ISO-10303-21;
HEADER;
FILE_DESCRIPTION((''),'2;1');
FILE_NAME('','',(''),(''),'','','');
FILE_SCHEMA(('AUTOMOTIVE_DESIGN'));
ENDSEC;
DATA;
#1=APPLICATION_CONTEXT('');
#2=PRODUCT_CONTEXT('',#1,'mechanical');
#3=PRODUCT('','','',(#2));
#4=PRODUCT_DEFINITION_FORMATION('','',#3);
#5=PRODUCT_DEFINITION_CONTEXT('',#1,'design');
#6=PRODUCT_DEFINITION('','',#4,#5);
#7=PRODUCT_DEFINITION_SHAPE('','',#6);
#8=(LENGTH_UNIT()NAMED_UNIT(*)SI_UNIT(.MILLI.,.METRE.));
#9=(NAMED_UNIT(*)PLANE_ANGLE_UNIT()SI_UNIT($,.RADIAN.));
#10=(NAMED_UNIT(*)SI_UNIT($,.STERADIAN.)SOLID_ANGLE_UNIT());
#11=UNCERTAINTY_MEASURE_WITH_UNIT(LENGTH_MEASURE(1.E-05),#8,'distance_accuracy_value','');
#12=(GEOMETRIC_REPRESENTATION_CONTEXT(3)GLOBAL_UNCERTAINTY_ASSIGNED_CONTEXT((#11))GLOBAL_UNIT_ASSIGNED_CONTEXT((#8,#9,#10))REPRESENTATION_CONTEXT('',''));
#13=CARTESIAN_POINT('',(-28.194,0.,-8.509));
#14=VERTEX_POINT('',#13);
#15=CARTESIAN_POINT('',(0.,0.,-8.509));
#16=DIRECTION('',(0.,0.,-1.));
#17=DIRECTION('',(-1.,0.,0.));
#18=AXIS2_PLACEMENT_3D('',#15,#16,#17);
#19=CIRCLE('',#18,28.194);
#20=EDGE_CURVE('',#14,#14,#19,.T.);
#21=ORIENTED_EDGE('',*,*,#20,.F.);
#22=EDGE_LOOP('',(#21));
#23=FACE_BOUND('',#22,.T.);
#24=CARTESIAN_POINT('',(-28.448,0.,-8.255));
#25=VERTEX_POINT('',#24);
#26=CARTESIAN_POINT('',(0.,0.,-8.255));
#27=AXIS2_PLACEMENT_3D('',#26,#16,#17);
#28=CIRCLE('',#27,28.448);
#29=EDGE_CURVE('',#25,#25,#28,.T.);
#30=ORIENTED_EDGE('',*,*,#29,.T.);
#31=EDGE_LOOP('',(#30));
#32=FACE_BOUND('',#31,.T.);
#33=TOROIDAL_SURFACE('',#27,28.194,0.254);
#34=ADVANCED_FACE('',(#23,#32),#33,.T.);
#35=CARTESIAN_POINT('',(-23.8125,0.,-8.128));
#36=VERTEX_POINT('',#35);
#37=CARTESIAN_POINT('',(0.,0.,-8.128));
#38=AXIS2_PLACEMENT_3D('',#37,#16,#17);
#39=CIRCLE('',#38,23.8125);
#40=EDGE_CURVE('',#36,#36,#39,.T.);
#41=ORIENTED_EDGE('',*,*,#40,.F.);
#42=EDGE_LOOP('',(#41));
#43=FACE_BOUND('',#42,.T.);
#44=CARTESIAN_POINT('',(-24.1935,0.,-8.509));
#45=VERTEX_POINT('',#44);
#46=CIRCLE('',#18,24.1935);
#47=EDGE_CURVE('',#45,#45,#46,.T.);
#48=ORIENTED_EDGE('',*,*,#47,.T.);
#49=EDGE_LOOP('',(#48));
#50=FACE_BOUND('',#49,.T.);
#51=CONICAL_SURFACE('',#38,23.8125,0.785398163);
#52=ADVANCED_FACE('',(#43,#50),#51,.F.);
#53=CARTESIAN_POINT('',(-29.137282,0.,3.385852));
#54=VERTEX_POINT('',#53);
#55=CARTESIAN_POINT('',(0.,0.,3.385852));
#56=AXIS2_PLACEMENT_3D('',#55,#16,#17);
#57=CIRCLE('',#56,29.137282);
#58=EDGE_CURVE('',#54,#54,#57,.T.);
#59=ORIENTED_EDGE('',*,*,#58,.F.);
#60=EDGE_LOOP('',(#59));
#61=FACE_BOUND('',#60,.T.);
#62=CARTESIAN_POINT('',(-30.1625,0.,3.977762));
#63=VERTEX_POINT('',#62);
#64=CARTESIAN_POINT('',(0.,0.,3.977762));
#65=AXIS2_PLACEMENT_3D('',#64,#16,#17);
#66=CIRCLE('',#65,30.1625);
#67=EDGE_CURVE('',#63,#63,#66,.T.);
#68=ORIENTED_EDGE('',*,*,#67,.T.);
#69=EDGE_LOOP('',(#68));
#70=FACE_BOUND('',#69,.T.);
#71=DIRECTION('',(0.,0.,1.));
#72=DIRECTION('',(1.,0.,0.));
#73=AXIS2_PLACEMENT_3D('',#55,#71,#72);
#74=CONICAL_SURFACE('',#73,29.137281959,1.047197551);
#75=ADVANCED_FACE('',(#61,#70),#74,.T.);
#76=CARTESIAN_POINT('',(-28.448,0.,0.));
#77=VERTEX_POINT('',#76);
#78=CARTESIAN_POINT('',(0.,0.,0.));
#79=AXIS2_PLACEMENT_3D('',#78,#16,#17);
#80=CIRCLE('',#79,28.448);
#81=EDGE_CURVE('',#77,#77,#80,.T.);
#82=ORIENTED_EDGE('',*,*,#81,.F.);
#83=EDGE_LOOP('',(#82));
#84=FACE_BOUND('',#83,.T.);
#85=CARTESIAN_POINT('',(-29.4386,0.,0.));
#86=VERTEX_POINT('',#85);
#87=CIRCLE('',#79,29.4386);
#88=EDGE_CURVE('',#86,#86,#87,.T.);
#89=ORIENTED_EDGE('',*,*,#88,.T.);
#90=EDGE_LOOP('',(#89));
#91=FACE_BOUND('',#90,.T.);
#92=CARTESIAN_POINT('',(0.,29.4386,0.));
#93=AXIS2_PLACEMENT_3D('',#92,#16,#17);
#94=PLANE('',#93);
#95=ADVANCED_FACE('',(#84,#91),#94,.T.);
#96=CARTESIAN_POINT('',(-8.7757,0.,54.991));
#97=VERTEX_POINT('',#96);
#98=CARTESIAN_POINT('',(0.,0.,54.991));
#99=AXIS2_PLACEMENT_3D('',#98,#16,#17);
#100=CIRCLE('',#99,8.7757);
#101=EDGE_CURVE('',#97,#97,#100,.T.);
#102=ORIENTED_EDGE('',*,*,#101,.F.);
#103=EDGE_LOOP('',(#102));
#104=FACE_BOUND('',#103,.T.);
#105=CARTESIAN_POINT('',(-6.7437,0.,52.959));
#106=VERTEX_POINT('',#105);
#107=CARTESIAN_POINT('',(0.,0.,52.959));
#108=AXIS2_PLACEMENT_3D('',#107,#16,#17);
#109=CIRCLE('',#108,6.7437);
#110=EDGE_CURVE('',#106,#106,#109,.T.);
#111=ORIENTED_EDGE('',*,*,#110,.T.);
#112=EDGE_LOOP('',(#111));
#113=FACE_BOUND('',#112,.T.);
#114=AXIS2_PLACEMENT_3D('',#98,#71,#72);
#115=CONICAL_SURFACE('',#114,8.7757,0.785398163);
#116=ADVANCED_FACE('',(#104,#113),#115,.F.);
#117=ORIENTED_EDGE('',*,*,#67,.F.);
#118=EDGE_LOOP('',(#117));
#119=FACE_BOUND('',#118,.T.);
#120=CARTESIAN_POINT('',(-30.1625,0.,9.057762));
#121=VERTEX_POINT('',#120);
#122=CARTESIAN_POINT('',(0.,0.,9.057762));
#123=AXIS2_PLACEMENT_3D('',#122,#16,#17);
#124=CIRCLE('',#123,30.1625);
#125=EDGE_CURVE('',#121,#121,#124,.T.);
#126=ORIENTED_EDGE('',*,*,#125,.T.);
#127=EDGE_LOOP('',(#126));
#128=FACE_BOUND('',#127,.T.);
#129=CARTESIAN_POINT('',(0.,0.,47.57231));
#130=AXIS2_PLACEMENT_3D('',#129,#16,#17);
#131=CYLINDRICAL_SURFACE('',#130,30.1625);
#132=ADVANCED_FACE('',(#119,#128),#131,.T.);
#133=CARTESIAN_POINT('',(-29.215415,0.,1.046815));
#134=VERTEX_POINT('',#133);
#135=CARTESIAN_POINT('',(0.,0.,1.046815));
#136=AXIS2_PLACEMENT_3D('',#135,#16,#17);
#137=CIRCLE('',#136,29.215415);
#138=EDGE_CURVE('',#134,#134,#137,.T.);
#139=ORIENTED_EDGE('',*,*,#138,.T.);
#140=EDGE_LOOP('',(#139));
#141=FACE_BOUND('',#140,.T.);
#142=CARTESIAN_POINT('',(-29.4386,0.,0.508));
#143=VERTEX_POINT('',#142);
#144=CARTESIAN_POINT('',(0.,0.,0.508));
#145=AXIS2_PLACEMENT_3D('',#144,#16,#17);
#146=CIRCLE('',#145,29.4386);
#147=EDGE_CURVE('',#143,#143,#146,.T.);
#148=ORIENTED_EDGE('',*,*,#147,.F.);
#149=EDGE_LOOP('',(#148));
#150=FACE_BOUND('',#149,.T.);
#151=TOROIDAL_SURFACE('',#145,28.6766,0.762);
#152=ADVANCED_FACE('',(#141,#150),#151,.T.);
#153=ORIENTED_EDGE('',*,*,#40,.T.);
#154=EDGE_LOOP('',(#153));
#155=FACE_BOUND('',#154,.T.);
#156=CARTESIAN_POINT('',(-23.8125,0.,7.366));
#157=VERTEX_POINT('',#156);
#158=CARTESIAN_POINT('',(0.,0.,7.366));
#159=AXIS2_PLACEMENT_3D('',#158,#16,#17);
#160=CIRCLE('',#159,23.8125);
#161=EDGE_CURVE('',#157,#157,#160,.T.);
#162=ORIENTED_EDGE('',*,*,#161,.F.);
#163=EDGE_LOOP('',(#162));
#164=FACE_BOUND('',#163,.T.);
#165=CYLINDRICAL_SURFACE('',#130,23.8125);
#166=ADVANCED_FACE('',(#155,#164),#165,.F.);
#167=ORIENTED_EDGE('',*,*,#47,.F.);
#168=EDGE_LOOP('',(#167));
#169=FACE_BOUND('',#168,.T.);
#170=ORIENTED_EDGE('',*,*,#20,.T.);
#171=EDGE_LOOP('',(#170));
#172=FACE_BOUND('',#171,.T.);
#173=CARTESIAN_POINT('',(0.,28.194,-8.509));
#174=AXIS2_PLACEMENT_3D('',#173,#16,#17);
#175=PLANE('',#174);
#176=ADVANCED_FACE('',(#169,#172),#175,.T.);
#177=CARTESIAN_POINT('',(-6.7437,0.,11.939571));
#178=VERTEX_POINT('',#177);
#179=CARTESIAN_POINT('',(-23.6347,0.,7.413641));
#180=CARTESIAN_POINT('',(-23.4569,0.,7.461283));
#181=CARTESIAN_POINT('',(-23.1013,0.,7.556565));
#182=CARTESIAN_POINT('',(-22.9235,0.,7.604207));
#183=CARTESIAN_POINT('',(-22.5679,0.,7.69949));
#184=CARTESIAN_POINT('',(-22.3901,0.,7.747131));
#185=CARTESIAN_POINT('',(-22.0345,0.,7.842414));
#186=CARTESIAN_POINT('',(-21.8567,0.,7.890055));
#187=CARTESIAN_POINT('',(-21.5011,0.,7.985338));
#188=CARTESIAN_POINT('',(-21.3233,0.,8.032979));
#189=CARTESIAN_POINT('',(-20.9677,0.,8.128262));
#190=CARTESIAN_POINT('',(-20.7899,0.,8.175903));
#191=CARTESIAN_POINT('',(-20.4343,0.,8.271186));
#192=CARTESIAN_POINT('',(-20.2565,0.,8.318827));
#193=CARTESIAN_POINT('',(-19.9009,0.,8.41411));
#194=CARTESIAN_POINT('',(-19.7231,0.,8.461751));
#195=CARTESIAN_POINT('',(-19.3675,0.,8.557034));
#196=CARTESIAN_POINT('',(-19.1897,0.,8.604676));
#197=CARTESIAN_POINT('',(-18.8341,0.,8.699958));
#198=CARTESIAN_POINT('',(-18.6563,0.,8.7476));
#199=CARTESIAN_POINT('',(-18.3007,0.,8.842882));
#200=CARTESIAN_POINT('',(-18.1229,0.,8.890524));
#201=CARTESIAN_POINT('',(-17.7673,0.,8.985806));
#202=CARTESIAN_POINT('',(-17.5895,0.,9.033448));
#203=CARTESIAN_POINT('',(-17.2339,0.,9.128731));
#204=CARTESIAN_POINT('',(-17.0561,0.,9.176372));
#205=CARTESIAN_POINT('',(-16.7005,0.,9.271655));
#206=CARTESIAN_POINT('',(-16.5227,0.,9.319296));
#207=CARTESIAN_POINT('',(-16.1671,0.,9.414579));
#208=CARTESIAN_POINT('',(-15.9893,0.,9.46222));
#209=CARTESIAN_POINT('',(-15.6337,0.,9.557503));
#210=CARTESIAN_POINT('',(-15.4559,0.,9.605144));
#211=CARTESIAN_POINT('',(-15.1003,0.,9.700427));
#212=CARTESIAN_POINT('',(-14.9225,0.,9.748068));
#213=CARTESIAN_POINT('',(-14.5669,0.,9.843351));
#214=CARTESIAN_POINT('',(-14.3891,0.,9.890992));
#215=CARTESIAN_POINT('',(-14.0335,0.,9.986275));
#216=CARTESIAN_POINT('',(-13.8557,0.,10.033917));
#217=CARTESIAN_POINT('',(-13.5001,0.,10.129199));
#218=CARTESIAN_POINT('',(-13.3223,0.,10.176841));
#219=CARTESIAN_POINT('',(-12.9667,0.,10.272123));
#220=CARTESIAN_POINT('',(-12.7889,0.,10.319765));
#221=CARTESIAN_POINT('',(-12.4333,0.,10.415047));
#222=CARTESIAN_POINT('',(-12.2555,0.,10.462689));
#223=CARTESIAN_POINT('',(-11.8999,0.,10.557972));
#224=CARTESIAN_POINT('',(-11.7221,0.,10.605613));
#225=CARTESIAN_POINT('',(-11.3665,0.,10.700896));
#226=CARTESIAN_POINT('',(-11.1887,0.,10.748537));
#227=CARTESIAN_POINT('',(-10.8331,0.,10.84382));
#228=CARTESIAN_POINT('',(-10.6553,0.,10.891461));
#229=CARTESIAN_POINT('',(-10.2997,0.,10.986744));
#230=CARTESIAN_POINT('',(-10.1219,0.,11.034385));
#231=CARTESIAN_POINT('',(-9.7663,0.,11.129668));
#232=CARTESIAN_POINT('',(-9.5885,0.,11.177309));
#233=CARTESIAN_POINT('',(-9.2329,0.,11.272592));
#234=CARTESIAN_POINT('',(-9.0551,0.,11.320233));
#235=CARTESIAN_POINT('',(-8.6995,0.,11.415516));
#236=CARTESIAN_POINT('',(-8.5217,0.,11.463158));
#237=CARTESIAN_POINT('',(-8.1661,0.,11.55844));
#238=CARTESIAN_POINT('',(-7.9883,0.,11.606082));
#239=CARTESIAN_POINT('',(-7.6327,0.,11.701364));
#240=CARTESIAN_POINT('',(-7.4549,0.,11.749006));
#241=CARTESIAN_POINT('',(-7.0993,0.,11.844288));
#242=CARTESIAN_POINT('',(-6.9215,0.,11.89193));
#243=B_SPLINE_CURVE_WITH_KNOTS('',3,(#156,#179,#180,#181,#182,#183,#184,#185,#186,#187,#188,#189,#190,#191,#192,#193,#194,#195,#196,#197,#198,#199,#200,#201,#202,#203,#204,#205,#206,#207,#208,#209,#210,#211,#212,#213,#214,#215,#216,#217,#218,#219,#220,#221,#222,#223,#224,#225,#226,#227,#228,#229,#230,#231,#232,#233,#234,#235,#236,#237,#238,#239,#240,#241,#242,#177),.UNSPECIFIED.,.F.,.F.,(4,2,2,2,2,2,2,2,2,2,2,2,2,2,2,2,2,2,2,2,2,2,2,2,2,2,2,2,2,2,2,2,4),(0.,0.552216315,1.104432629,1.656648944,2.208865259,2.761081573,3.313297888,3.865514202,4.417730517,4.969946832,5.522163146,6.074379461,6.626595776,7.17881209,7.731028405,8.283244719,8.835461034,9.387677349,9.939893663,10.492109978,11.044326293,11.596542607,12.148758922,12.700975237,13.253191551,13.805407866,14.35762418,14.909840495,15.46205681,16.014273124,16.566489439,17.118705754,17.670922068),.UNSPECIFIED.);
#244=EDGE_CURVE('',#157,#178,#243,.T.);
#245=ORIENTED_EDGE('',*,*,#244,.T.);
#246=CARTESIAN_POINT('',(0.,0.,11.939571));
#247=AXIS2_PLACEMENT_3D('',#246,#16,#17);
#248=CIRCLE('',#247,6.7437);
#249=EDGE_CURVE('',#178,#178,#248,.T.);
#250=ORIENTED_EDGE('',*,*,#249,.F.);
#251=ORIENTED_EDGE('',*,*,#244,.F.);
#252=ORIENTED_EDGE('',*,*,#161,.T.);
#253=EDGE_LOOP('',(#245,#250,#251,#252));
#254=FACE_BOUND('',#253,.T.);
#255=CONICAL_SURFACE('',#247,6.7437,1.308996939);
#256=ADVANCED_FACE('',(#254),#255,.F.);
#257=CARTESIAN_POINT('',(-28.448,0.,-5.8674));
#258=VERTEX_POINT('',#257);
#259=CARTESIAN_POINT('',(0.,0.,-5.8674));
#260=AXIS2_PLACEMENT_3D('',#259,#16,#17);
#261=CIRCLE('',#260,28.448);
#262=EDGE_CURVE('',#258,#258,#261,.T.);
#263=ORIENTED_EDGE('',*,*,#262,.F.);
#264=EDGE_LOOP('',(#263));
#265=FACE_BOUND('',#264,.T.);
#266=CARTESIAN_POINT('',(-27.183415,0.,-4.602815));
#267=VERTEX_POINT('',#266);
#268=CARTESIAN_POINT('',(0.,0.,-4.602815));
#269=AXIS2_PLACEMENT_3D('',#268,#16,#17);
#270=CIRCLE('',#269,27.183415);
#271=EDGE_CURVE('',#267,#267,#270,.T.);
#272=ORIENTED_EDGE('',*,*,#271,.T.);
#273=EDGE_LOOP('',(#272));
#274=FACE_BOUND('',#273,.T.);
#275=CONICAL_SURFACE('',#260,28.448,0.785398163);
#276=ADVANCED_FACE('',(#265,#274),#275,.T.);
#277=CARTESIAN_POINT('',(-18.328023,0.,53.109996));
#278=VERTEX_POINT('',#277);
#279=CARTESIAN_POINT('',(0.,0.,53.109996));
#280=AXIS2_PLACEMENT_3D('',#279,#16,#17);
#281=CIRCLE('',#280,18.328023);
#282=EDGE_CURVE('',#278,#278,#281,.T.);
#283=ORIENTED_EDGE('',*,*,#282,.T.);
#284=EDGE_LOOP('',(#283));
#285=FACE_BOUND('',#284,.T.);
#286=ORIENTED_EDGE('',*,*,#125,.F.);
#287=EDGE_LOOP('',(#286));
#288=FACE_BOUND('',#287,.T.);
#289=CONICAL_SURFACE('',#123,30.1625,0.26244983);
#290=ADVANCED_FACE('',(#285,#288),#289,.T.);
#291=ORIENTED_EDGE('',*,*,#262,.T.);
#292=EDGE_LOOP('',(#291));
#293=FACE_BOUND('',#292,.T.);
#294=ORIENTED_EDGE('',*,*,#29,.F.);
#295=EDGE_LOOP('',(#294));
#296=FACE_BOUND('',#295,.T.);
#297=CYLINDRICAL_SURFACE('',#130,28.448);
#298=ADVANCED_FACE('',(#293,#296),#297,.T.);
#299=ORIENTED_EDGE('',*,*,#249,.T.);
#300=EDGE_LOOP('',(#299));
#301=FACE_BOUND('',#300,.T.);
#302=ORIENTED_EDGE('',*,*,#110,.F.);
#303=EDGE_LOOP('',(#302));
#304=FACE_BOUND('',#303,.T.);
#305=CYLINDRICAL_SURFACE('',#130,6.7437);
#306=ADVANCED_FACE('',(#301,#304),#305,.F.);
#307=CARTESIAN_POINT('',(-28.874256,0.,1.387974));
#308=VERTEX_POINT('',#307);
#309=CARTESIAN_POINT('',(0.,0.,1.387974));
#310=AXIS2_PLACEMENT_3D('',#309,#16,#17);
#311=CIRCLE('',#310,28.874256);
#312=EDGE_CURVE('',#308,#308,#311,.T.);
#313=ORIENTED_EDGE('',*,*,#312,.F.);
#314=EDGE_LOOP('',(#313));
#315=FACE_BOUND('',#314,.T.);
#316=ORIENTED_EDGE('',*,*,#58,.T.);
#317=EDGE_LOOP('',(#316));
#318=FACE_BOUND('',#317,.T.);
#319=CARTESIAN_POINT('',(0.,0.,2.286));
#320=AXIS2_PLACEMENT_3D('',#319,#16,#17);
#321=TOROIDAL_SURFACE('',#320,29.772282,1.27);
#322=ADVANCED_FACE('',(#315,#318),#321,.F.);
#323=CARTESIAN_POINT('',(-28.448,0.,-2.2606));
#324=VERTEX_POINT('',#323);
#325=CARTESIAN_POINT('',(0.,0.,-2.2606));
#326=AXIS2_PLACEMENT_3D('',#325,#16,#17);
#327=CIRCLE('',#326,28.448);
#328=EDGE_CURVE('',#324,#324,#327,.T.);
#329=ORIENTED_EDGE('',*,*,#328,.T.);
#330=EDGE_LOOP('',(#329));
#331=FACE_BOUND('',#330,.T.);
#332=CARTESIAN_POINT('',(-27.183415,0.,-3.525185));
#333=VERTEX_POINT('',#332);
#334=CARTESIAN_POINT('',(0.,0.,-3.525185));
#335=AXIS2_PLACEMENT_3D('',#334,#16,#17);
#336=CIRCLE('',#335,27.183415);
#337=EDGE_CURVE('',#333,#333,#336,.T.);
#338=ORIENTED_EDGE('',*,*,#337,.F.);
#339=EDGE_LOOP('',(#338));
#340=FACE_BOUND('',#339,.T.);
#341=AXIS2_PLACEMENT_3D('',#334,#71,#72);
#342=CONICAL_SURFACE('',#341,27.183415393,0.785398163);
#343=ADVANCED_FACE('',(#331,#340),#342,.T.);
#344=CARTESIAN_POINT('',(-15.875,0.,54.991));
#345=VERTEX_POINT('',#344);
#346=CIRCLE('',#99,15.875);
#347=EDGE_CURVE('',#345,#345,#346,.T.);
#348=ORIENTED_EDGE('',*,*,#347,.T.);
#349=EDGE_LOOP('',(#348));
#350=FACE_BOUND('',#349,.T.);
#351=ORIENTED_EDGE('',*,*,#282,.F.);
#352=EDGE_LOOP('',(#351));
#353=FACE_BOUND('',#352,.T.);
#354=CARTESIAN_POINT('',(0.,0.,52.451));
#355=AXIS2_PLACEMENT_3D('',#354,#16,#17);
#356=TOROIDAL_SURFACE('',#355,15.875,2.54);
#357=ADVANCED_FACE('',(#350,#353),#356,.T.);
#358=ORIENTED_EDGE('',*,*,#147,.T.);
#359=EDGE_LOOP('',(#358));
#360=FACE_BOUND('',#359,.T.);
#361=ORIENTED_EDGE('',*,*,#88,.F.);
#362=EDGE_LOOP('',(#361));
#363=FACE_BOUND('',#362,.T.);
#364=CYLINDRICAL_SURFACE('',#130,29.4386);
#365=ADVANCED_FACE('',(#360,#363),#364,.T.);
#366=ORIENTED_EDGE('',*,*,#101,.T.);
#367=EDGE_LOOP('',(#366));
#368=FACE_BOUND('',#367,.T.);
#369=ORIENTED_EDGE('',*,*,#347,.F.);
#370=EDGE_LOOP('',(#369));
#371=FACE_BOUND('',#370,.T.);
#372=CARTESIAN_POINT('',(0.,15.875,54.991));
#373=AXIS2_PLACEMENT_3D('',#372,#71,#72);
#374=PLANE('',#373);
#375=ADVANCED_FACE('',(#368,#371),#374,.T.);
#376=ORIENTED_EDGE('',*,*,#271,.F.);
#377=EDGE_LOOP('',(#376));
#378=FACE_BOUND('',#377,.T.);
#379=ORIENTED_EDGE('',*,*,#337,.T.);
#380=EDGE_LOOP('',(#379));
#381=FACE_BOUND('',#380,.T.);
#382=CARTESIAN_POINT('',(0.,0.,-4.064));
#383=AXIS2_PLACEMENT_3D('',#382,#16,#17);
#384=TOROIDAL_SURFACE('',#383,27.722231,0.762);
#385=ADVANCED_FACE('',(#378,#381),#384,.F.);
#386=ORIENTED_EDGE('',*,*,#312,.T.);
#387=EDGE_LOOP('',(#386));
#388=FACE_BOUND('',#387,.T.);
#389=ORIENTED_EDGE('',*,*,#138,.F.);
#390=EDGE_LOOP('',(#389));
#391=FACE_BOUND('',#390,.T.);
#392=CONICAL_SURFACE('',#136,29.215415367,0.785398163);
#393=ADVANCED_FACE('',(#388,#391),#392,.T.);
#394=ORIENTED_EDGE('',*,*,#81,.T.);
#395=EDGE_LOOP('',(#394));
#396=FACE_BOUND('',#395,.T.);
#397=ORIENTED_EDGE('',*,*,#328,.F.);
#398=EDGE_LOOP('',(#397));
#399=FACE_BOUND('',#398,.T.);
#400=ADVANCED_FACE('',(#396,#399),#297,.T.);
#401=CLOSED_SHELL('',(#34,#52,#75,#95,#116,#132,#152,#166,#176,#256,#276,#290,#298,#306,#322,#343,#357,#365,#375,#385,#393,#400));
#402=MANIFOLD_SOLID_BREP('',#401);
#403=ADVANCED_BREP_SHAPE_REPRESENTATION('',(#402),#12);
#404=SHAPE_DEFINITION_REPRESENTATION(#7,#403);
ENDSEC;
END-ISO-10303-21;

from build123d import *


with BuildPart() as part:
    # Sketch3 → FBR-00 Basic blank revolve. (revolve)
    with BuildSketch(Plane(origin=(0, 0, 0), x_dir=(0, 0, -1), z_dir=(1, 0, 0))):
        with BuildLine():
            Line((-53.109996064, 18.328023479), (-9.057762175, 30.1625))
            Line((-9.057762175, 30.1625), (-3.977762175, 30.1625))
            Line((-3.977762175, 30.1625), (-3.385852263, 29.137281959))
            ThreePointArc((-3.385852263, 29.137281959), (-2.451768264, 28.513146985), (-1.387974388, 28.874256347))
            Line((-1.387974388, 28.874256347), (-1.046815367, 29.215415367))
            ThreePointArc((-1.046815367, 29.215415367), (-0.799604775, 29.380596204), (-0.508, 29.4386))
            Line((-0.508, 29.4386), (0, 29.4386))
            Line((0, 29.4386), (0, 28.448))
            Line((0, 28.448), (2.260600025, 28.448))
            Line((2.260600025, 28.448), (3.525184633, 27.183415393))
            ThreePointArc((3.525184633, 27.183415393), (4.064, 26.96023076), (4.602815367, 27.183415393))
            Line((4.602815367, 27.183415393), (5.867399975, 28.448))
            Line((5.867399975, 28.448), (8.255, 28.448))
            ThreePointArc((8.255, 28.448), (8.434605122, 28.373605122), (8.509, 28.194))
            Line((8.509, 28.194), (8.509, 24.1935))
            Line((8.509, 24.1935), (8.128, 23.8125))
            Line((8.128, 23.8125), (-7.366, 23.8125))
            Line((-7.366, 23.8125), (-11.939571176, 6.7437))
            Line((-11.939571176, 6.7437), (-52.959, 6.7437))
            Line((-52.959, 6.7437), (-54.991, 8.7757))
            Line((-54.991, 8.7757), (-54.991, 15.875))
            ThreePointArc((-54.991, 15.875), (-54.466620252, 17.420598589), (-53.109996064, 18.328023479))
        make_face()
    revolve(axis=Axis((0, 0, 47.572309729), (0, 0, 1)))


solid = part.part
